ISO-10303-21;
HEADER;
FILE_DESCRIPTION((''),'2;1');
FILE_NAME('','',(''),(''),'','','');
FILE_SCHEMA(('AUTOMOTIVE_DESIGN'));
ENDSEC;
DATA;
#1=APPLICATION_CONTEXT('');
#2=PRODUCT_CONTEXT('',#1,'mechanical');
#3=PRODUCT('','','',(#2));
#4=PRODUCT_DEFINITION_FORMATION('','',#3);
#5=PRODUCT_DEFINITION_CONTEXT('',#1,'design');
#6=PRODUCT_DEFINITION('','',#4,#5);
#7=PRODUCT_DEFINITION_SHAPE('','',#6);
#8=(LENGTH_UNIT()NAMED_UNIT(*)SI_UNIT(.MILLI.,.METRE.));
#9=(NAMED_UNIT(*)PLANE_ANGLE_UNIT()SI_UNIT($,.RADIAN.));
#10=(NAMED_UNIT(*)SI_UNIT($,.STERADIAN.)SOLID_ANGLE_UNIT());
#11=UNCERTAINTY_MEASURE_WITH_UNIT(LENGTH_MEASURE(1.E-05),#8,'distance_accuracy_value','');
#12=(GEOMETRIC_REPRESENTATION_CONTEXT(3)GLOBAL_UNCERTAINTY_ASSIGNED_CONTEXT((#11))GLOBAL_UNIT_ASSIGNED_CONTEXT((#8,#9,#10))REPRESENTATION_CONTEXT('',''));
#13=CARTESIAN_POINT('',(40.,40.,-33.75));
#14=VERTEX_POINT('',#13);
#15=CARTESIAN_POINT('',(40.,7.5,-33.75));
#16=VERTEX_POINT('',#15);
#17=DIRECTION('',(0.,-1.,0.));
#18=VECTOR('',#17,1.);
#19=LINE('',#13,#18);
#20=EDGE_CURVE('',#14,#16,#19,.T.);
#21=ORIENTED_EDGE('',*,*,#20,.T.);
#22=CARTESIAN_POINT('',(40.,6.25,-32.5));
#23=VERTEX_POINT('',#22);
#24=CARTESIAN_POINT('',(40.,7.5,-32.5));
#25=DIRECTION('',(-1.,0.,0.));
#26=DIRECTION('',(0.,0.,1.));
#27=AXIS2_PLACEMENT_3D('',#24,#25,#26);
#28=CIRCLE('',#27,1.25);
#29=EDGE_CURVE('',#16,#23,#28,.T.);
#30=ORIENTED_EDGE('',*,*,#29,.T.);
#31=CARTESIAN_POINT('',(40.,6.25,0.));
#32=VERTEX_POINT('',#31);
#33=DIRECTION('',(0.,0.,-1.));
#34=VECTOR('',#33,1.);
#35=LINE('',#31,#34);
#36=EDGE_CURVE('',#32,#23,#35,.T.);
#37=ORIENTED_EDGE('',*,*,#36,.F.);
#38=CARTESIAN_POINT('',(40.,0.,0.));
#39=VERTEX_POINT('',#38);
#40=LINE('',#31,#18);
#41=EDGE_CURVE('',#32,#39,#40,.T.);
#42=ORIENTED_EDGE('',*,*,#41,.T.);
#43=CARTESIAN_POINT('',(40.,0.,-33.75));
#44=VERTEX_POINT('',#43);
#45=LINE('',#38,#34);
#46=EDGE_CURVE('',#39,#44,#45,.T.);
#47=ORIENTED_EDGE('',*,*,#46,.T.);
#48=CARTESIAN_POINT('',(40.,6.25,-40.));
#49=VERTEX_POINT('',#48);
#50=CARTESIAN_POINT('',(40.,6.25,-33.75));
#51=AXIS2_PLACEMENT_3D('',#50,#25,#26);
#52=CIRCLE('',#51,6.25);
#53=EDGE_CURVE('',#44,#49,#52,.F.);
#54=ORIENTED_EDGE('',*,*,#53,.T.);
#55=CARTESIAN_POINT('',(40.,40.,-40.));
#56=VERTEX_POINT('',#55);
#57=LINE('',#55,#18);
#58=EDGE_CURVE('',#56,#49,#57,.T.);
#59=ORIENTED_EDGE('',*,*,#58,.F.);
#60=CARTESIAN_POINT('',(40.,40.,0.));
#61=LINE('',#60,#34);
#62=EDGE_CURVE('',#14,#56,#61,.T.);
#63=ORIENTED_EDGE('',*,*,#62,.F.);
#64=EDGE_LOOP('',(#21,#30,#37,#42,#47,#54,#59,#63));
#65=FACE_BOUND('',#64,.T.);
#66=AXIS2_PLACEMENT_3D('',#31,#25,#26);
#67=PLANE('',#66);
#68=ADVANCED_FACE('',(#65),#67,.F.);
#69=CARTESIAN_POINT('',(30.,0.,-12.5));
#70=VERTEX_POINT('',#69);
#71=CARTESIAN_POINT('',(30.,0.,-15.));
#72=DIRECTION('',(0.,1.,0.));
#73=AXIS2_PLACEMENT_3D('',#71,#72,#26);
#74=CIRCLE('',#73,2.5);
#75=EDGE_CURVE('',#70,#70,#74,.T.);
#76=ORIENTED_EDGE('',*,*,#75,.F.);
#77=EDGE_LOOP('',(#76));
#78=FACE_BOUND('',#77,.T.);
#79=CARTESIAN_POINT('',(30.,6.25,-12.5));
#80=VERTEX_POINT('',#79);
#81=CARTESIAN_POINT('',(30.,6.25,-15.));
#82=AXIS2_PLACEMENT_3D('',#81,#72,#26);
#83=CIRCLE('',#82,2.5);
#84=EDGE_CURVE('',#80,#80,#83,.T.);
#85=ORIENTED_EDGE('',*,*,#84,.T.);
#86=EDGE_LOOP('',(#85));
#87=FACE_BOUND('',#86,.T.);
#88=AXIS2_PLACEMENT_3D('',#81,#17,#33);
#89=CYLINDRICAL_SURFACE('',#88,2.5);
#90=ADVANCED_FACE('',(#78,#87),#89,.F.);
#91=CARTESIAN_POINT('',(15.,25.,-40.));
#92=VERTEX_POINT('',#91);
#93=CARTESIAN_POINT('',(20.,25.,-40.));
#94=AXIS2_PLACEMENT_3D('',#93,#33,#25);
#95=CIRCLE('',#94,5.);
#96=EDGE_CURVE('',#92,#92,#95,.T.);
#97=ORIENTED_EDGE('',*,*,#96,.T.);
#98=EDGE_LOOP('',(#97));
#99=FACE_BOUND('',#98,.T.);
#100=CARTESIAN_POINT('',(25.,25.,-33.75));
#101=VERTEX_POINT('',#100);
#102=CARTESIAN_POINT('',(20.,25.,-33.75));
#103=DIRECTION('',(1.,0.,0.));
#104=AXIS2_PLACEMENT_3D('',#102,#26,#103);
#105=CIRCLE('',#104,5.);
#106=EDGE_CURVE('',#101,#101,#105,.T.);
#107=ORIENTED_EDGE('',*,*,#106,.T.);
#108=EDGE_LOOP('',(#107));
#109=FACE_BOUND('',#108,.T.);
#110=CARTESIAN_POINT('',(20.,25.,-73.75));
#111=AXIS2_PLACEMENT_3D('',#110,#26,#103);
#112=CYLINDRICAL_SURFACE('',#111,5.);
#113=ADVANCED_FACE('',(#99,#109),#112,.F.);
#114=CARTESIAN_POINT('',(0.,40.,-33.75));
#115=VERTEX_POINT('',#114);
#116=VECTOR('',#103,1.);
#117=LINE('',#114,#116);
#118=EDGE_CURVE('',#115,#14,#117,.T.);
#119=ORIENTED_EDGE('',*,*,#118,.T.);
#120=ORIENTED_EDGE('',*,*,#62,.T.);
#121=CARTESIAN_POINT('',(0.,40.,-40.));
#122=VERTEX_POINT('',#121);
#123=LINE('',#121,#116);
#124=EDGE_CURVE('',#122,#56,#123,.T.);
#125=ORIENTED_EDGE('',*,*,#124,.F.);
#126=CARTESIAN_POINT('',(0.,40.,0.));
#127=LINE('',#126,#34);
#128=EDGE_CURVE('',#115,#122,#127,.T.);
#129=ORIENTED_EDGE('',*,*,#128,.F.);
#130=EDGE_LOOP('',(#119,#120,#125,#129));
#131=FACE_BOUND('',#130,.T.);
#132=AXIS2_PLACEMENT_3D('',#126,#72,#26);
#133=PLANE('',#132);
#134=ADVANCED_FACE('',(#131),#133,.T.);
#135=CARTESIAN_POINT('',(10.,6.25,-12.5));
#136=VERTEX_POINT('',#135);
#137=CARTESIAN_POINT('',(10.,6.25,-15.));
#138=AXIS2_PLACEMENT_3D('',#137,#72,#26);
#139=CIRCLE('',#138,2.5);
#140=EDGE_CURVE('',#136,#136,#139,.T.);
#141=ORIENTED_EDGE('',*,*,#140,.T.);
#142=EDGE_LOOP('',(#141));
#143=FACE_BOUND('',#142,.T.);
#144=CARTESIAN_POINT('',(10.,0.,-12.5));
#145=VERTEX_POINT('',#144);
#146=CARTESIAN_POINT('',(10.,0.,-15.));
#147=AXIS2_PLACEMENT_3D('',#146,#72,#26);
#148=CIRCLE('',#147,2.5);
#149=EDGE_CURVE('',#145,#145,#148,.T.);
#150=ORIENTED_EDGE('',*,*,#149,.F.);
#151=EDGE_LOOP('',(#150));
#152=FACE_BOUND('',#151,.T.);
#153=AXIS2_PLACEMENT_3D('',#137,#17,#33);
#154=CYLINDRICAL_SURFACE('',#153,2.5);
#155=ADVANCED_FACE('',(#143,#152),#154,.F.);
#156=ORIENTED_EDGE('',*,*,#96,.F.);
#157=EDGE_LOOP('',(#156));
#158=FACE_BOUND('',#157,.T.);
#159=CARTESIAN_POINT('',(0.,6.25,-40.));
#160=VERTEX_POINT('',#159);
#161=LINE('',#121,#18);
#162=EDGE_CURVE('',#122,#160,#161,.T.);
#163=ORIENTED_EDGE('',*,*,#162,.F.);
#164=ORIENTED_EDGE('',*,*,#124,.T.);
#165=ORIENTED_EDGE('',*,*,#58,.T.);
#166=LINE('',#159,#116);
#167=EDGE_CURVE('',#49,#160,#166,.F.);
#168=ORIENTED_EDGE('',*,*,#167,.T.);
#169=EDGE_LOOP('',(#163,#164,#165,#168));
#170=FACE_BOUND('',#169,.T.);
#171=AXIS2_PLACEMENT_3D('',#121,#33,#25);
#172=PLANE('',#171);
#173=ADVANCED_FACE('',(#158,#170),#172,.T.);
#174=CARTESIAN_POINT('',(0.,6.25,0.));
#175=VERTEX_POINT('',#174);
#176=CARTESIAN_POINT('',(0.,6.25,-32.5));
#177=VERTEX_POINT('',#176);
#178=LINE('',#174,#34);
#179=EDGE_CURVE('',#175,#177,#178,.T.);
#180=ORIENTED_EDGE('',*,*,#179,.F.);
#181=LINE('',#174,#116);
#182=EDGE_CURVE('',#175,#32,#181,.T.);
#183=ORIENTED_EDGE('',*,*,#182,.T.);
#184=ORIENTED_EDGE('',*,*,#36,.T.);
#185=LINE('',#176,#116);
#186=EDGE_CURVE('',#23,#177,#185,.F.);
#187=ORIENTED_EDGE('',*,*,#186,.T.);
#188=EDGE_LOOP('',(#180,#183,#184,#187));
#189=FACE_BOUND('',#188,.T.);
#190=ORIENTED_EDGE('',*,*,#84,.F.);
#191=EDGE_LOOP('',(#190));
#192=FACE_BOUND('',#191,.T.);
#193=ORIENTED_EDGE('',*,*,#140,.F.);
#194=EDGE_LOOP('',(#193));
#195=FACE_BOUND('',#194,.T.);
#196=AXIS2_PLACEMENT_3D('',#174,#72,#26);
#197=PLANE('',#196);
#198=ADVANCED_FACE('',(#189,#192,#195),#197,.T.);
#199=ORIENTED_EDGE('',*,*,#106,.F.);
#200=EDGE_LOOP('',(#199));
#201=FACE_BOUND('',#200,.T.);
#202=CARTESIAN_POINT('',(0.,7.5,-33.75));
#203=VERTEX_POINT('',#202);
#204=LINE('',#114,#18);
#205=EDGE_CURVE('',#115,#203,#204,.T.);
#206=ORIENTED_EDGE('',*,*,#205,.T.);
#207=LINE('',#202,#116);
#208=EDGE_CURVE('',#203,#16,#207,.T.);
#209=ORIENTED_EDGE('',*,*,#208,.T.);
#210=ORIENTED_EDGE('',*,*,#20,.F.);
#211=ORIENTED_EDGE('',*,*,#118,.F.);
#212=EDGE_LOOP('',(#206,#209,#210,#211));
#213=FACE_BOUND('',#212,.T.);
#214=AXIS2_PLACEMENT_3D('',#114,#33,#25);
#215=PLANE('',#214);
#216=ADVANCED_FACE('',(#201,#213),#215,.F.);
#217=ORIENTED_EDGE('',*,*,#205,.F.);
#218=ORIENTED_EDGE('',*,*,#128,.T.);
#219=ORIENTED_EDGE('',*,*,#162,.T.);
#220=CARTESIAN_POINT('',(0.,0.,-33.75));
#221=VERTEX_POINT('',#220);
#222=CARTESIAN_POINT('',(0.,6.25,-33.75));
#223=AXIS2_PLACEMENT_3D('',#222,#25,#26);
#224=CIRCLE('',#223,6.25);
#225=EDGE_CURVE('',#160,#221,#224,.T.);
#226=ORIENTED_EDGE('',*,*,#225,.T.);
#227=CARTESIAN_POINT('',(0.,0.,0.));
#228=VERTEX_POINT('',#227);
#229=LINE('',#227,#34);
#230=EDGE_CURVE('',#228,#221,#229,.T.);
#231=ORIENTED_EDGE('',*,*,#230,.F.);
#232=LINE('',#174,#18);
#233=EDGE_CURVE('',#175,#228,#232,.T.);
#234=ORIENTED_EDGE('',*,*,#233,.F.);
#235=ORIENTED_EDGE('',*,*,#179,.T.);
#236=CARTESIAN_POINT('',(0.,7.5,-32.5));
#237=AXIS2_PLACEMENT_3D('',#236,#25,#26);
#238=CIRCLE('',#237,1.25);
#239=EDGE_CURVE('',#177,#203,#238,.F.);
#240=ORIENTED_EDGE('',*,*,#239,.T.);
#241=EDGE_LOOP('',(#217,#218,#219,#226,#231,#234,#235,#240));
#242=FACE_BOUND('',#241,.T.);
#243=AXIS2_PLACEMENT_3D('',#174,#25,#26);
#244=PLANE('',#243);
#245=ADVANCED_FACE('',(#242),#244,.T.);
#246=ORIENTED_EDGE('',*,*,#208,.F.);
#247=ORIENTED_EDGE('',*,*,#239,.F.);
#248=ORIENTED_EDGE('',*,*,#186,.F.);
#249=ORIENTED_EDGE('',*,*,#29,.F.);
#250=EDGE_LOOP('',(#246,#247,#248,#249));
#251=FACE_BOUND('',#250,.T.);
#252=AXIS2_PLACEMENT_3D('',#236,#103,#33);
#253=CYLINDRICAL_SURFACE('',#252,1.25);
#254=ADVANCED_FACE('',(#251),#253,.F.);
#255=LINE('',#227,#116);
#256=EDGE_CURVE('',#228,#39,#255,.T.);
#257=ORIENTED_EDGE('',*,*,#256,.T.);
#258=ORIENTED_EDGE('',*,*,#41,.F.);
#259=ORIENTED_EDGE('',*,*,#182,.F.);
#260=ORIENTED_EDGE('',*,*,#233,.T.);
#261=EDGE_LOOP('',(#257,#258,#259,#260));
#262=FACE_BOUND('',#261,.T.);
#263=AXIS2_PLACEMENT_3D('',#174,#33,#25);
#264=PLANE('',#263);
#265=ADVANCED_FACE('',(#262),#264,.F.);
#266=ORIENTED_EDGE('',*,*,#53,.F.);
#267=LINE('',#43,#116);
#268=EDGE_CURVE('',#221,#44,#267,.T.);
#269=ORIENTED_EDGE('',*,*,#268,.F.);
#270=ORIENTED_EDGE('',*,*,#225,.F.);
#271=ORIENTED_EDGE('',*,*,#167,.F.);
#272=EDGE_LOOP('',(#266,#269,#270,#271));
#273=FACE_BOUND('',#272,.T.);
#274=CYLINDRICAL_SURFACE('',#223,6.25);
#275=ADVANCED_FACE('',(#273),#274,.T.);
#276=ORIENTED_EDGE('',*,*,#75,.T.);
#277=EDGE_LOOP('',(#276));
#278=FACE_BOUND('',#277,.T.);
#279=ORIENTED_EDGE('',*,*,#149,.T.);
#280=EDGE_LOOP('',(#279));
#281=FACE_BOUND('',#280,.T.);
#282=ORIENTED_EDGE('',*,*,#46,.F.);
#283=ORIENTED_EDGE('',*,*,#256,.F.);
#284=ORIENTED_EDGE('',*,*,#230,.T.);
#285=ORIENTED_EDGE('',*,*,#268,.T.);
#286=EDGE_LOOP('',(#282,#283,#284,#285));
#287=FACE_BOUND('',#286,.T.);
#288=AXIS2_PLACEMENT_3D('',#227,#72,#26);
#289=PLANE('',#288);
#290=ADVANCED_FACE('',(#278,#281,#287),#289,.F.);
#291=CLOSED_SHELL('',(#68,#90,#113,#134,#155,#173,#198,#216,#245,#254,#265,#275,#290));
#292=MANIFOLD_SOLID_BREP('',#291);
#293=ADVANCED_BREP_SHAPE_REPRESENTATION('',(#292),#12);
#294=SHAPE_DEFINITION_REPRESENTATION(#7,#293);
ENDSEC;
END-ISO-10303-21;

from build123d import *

# Parameters (mm, degrees)
SKETCH1_W           = 40
SKETCH1_H           = 33.75
SKETCH1_R           = 2.5
BOSS_EXTRUDE1_DEPTH = 6.25
SKETCH1_3_W         = 40
SKETCH1_3_H         = 6.25
BOSS_EXTRUDE2_DEPTH = 40
FILLET1_R           = 6.25
FILLET2_R           = 1.25
SKETCH2_R           = 5
CUT_EXTRUDE1_DEPTH  = 40


with BuildPart() as part:
    # Sketch1 → Boss-Extrude1 (new body)
    with BuildSketch(Plane(origin=(0, 0, 0), x_dir=(1, 0, 0), z_dir=(0, 1, 0))):
        with Locations((20, 16.875)):
            Rectangle(SKETCH1_W, SKETCH1_H)
        with Locations((10, 15)):
            Circle(SKETCH1_R, mode=Mode.SUBTRACT)
        with Locations((30, 15)):
            Circle(SKETCH1_R, mode=Mode.SUBTRACT)
    extrude(amount=BOSS_EXTRUDE1_DEPTH)

    # Sketch1<3> → Boss-Extrude2 (add)
    with BuildSketch(Plane(origin=(0, 0, 0), x_dir=(1, 0, 0), z_dir=(0, 1, 0))):
        with Locations((20, 36.875)):
            Rectangle(SKETCH1_3_W, SKETCH1_3_H)
    extrude(amount=BOSS_EXTRUDE2_DEPTH)

    # Fillet1
    fillet1_edges = [part.edges().sort_by_distance(p)[0] for p in [
        (20, 0, -40),
    ]]
    fillet(fillet1_edges, radius=FILLET1_R)

    # Fillet2
    fillet2_edges = [part.edges().sort_by_distance(p)[0] for p in [
        (20, 6.25, -33.75),
    ]]
    fillet(fillet2_edges, radius=FILLET2_R)

    # Sketch2 → Cut-Extrude1 (cut)
    with BuildSketch(Plane.XY.offset(-33.75)):
        with Locations((20, 25)):
            Circle(SKETCH2_R)
    extrude(amount=-CUT_EXTRUDE1_DEPTH, mode=Mode.SUBTRACT)


solid = part.part
